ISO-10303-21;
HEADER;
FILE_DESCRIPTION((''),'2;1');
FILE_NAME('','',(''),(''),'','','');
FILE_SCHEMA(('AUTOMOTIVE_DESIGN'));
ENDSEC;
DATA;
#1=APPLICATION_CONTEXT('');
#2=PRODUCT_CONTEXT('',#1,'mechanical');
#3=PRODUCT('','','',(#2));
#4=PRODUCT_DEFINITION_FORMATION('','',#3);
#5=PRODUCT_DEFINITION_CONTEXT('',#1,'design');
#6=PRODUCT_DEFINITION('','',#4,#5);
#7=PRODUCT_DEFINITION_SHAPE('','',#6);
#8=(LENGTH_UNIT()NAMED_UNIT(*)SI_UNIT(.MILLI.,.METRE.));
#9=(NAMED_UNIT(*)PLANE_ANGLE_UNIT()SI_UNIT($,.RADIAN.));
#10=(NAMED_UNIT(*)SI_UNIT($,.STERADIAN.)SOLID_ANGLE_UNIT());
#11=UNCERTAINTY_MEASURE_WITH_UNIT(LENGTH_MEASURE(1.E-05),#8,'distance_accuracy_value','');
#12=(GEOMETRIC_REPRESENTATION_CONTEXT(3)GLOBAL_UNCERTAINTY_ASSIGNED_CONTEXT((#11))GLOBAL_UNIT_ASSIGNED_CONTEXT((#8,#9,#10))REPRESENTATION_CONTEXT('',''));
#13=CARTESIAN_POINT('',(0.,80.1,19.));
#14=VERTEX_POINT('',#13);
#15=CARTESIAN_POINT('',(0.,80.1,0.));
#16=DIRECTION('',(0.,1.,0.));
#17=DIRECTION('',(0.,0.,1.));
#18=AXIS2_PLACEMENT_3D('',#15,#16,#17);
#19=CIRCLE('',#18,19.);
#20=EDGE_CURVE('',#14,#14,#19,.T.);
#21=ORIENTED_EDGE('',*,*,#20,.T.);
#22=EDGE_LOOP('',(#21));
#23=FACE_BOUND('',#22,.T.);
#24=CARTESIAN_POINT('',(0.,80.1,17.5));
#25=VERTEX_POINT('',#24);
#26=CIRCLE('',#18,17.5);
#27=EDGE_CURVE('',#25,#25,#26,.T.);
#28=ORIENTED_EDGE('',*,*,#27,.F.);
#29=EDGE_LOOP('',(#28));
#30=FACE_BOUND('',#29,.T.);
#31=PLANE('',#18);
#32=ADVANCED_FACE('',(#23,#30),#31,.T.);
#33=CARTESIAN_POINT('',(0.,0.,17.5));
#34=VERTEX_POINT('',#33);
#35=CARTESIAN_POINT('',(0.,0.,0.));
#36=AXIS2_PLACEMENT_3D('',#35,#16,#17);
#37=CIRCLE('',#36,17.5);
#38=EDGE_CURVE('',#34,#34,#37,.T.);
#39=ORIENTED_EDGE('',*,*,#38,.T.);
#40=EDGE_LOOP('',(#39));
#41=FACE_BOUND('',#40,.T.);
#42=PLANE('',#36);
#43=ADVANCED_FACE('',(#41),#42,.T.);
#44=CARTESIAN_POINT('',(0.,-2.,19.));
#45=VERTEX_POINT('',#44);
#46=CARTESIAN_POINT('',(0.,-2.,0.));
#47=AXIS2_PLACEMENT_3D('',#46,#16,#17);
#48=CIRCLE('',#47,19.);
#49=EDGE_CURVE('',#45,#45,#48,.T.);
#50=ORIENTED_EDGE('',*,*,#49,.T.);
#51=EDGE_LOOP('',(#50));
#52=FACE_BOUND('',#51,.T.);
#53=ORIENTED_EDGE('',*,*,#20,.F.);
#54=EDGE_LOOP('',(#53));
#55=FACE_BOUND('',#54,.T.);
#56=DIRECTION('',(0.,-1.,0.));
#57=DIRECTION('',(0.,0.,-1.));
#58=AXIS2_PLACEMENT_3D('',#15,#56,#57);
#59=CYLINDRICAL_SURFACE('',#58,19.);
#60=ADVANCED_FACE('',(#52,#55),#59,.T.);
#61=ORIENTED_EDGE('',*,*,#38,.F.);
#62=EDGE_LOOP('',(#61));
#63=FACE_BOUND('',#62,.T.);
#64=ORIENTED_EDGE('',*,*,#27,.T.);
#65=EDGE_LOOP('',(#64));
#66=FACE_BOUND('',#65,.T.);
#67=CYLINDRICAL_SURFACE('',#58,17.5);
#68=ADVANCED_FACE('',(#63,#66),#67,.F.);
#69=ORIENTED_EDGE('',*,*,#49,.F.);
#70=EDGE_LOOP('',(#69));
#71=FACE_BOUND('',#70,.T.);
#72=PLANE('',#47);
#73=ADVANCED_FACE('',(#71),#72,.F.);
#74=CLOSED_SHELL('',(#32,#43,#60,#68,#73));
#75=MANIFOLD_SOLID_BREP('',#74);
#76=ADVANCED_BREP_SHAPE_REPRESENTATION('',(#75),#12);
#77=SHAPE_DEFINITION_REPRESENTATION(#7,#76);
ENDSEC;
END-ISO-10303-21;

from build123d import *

# Parameters (mm, degrees)
SKETCH1_R                = 19
SKETCH1_R_2              = 17.5
BOSS_EXTRUDE1_DEPTH      = 80.1
RESSALTO_EXTRUS_O1_START = -2
SKETCH1_2_R              = 19
RESSALTO_EXTRUS_O1_DEPTH = 2


with BuildPart() as part:
    # Sketch1 → Boss-Extrude1 (new body)
    with BuildSketch(Plane(origin=(0, 0, 0), x_dir=(1, 0, 0), z_dir=(0, 1, 0))):
        Circle(SKETCH1_R)
        Circle(SKETCH1_R_2, mode=Mode.SUBTRACT)
    extrude(amount=BOSS_EXTRUDE1_DEPTH)

    # Sketch1_2 → Ressalto-extrus_o1 (add)
    with BuildSketch(Plane(origin=(0, 0, 0), x_dir=(1, 0, 0), z_dir=(0, 1, 0)).offset(RESSALTO_EXTRUS_O1_START)):
        Circle(SKETCH1_2_R)
    extrude(amount=RESSALTO_EXTRUS_O1_DEPTH)


solid = part.part
